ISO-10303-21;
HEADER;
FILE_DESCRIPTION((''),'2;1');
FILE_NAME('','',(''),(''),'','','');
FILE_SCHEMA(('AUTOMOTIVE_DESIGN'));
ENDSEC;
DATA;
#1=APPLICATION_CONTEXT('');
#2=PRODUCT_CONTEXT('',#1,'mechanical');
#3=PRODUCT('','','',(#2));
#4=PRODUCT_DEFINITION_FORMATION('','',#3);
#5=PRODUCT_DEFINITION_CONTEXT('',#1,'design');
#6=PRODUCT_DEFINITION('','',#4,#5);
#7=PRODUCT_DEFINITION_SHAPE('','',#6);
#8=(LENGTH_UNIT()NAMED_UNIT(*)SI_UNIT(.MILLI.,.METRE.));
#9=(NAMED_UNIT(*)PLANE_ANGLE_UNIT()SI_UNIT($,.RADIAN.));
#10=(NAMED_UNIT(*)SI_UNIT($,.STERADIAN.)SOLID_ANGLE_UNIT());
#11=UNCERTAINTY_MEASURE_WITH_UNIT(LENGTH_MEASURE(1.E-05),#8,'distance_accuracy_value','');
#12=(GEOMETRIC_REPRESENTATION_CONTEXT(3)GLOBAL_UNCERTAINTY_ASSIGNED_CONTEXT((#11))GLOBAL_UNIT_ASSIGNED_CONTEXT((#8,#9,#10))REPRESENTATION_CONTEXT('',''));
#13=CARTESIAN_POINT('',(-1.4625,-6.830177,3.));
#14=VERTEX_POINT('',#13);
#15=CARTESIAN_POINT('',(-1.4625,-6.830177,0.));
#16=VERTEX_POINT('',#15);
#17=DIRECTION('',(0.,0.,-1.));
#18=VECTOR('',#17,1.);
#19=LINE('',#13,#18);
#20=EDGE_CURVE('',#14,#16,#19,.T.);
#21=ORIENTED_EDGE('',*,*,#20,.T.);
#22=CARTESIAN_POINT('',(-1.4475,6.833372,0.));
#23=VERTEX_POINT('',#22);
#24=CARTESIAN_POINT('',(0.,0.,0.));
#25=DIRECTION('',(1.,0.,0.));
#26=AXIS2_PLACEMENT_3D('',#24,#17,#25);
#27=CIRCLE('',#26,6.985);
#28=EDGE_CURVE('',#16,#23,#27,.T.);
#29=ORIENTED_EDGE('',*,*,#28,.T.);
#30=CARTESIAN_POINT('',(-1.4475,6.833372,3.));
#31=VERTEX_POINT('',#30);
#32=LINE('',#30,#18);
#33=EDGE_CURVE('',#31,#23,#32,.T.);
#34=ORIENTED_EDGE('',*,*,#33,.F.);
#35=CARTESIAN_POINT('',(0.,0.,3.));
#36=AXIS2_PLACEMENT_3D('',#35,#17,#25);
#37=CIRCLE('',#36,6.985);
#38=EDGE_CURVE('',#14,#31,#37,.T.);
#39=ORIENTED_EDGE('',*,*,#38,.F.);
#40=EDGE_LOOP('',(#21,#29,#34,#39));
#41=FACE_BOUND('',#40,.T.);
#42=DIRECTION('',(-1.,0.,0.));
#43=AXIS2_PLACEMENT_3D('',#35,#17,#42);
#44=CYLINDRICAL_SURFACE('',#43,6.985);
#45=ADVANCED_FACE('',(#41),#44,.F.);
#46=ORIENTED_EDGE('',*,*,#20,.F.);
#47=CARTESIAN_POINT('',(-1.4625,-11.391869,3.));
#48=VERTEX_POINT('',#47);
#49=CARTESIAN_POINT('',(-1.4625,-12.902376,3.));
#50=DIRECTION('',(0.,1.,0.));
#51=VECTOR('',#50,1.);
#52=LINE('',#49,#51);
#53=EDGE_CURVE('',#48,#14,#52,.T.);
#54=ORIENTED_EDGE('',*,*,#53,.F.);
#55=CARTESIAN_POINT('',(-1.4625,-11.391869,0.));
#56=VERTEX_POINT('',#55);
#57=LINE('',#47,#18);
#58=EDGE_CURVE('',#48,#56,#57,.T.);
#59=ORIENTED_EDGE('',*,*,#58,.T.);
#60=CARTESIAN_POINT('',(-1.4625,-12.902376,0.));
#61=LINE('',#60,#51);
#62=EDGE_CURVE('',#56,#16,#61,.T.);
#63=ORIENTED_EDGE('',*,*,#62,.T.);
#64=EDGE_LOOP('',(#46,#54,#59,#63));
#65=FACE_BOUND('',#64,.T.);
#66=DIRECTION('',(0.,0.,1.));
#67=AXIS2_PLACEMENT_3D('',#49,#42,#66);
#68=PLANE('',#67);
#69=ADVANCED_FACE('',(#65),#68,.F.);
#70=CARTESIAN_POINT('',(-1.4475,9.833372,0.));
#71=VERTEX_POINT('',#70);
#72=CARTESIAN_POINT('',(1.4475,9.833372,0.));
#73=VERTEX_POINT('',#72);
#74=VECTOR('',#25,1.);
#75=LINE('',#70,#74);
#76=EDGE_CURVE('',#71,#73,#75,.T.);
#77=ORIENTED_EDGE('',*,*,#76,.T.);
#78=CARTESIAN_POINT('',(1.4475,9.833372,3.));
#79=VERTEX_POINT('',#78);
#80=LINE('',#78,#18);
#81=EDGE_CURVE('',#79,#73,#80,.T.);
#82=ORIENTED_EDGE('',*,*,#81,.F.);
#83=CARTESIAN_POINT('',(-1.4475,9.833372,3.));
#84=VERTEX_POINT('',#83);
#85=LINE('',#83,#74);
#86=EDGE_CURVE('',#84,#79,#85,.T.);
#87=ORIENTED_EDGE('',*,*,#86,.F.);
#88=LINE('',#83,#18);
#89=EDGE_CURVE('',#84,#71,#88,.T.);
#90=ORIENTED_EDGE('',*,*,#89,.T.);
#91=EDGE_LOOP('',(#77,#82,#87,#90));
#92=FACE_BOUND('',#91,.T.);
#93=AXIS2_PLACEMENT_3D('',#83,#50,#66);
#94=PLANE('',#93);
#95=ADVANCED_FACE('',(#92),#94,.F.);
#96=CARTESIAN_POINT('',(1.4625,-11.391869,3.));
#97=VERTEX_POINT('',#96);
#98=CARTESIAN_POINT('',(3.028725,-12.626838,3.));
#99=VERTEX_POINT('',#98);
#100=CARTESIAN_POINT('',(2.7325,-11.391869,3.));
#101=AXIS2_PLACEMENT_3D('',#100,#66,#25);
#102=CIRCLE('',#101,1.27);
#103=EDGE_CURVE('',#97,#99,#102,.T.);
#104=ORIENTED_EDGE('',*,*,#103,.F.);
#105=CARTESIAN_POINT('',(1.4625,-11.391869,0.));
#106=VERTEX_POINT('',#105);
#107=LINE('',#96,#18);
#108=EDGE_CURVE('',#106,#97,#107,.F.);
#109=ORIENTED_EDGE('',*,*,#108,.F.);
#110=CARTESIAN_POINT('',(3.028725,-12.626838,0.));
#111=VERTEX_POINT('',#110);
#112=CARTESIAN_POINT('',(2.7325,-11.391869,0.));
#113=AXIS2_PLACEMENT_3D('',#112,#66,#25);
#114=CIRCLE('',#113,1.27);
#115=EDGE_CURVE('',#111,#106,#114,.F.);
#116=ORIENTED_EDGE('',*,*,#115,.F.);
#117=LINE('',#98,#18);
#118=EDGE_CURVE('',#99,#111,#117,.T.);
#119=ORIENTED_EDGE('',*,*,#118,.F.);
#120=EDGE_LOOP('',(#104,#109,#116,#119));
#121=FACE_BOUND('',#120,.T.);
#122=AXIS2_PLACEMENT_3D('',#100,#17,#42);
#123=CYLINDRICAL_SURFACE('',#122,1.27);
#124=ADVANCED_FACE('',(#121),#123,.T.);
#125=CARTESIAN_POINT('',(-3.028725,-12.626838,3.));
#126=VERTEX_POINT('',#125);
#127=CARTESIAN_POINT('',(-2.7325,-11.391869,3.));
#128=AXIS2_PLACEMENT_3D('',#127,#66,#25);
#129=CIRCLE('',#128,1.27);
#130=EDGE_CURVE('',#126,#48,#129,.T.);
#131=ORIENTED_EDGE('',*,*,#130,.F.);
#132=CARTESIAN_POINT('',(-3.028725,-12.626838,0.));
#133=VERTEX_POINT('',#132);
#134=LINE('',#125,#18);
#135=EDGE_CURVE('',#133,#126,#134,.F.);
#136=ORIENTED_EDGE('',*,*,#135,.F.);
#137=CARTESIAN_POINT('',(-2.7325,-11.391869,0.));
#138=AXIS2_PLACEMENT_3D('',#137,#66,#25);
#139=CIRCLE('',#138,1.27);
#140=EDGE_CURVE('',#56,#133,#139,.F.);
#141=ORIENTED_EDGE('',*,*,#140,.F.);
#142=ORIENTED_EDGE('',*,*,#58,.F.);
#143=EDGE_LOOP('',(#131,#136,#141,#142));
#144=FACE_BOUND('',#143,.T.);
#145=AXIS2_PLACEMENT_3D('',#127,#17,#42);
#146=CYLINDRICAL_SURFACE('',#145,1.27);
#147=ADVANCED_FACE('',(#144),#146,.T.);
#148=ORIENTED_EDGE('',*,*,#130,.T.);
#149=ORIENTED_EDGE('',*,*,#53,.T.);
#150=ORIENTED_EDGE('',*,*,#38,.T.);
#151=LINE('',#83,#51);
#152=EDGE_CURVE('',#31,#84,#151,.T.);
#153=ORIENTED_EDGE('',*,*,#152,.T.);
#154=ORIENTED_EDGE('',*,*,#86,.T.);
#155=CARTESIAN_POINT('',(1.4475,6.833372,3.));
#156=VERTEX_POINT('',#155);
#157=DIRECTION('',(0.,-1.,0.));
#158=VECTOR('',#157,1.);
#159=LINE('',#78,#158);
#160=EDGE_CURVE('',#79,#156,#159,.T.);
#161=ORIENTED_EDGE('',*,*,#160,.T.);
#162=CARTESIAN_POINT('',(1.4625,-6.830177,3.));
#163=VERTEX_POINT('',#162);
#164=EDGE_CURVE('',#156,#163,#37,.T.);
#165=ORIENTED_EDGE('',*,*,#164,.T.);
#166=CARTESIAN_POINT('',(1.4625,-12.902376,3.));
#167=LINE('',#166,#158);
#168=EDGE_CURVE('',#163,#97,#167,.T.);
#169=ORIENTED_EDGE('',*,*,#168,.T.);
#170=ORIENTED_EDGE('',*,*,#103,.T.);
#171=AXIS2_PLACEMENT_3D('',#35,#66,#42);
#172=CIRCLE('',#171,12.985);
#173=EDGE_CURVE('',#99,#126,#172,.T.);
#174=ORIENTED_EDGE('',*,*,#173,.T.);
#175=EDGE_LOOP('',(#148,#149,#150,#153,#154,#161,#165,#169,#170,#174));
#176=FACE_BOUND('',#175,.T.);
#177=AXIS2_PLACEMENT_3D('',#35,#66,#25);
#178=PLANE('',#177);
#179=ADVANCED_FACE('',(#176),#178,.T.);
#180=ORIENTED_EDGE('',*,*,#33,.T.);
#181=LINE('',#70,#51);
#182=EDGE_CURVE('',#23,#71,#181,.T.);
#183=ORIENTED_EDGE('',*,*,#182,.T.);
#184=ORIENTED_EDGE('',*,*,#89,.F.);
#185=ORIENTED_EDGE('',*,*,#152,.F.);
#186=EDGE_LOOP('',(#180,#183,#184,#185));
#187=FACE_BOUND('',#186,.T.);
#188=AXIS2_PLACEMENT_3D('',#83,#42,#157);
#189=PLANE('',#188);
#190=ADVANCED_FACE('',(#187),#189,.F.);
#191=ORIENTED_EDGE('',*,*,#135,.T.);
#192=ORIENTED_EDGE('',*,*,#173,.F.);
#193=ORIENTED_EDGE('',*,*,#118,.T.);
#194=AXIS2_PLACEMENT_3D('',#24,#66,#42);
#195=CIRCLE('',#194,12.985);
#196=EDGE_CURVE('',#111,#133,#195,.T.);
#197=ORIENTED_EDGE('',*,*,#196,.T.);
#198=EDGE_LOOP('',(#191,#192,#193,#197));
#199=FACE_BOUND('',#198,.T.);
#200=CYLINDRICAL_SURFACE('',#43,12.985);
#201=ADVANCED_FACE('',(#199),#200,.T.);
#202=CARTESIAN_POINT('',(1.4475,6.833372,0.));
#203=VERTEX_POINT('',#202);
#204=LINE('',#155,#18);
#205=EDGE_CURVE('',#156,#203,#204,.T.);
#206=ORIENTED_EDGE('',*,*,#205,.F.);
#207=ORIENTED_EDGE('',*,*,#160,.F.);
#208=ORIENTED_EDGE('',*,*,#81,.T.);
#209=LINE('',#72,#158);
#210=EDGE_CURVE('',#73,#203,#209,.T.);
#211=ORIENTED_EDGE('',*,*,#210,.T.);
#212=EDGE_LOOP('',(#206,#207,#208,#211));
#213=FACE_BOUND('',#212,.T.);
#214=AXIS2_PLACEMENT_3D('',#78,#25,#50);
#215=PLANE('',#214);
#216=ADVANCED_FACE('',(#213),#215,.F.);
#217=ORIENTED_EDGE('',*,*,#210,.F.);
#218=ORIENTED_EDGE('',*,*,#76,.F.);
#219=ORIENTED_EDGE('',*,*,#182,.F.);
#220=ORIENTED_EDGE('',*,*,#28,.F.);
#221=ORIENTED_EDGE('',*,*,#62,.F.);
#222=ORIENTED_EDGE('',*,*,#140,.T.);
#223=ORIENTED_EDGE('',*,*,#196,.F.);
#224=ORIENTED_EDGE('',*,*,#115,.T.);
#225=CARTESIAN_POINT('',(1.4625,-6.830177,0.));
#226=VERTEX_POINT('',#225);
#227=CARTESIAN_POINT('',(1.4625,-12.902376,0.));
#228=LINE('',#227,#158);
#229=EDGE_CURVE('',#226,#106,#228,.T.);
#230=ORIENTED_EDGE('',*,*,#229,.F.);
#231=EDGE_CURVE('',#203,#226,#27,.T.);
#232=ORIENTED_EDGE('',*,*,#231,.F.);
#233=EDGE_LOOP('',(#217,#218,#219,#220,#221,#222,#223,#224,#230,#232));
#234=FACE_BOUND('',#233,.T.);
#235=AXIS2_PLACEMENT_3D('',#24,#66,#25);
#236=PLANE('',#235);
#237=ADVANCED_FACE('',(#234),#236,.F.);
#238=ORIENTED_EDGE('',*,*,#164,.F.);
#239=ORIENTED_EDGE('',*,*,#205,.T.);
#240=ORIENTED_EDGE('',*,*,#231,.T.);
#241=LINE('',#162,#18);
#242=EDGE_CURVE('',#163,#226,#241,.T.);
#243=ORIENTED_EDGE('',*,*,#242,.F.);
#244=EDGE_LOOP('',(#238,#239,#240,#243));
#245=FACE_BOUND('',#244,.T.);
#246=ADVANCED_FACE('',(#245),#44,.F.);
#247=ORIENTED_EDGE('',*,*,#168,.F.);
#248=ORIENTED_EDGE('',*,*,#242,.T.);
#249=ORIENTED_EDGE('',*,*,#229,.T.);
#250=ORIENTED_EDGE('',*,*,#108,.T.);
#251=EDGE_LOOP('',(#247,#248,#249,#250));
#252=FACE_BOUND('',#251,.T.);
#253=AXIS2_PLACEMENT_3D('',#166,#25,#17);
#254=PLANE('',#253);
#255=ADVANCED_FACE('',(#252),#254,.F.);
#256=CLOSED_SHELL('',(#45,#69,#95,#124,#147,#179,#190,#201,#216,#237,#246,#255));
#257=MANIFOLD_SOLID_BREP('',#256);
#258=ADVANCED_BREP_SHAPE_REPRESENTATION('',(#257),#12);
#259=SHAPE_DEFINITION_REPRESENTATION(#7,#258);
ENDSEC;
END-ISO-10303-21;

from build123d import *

# Parameters (mm, degrees)
EXTRUDE_1_DEPTH = 3
FILLET_1_R      = 1.27


with BuildPart() as part:
    # 스케치1 → 보스-돌출1 (new body)
    with BuildSketch(Plane.XY):
        with BuildLine():
            Line((-1.4475, 9.833371697), (1.4475, 9.833371697))
            Line((1.4475, 9.833371697), (1.4475, 6.833371697))
            ThreePointArc((1.4475, 6.833371697), (6.984995791, 0.007668208), (1.4625, -6.830177066))
            Line((1.4625, -6.830177066), (1.4625, -12.902376477))
            ThreePointArc((1.4625, -12.902376477), (0, 12.985), (-1.4625, -12.902376477))
            Line((-1.4625, -12.902376477), (-1.4625, -6.830177066))
            ThreePointArc((-1.4625, -6.830177066), (-6.984995791, 0.007668208), (-1.4475, 6.833371697))
            Line((-1.4475, 6.833371697), (-1.4475, 9.833371697))
        make_face()
    extrude(amount=EXTRUDE_1_DEPTH)

    # 필렛1
    fillet_1_edges = [part.edges().sort_by_distance(p)[0] for p in [
        (-1.4625, -12.902376477, 1.5),
        (1.4625, -12.902376477, 1.5),
    ]]
    fillet(fillet_1_edges, radius=FILLET_1_R)


solid = part.part
